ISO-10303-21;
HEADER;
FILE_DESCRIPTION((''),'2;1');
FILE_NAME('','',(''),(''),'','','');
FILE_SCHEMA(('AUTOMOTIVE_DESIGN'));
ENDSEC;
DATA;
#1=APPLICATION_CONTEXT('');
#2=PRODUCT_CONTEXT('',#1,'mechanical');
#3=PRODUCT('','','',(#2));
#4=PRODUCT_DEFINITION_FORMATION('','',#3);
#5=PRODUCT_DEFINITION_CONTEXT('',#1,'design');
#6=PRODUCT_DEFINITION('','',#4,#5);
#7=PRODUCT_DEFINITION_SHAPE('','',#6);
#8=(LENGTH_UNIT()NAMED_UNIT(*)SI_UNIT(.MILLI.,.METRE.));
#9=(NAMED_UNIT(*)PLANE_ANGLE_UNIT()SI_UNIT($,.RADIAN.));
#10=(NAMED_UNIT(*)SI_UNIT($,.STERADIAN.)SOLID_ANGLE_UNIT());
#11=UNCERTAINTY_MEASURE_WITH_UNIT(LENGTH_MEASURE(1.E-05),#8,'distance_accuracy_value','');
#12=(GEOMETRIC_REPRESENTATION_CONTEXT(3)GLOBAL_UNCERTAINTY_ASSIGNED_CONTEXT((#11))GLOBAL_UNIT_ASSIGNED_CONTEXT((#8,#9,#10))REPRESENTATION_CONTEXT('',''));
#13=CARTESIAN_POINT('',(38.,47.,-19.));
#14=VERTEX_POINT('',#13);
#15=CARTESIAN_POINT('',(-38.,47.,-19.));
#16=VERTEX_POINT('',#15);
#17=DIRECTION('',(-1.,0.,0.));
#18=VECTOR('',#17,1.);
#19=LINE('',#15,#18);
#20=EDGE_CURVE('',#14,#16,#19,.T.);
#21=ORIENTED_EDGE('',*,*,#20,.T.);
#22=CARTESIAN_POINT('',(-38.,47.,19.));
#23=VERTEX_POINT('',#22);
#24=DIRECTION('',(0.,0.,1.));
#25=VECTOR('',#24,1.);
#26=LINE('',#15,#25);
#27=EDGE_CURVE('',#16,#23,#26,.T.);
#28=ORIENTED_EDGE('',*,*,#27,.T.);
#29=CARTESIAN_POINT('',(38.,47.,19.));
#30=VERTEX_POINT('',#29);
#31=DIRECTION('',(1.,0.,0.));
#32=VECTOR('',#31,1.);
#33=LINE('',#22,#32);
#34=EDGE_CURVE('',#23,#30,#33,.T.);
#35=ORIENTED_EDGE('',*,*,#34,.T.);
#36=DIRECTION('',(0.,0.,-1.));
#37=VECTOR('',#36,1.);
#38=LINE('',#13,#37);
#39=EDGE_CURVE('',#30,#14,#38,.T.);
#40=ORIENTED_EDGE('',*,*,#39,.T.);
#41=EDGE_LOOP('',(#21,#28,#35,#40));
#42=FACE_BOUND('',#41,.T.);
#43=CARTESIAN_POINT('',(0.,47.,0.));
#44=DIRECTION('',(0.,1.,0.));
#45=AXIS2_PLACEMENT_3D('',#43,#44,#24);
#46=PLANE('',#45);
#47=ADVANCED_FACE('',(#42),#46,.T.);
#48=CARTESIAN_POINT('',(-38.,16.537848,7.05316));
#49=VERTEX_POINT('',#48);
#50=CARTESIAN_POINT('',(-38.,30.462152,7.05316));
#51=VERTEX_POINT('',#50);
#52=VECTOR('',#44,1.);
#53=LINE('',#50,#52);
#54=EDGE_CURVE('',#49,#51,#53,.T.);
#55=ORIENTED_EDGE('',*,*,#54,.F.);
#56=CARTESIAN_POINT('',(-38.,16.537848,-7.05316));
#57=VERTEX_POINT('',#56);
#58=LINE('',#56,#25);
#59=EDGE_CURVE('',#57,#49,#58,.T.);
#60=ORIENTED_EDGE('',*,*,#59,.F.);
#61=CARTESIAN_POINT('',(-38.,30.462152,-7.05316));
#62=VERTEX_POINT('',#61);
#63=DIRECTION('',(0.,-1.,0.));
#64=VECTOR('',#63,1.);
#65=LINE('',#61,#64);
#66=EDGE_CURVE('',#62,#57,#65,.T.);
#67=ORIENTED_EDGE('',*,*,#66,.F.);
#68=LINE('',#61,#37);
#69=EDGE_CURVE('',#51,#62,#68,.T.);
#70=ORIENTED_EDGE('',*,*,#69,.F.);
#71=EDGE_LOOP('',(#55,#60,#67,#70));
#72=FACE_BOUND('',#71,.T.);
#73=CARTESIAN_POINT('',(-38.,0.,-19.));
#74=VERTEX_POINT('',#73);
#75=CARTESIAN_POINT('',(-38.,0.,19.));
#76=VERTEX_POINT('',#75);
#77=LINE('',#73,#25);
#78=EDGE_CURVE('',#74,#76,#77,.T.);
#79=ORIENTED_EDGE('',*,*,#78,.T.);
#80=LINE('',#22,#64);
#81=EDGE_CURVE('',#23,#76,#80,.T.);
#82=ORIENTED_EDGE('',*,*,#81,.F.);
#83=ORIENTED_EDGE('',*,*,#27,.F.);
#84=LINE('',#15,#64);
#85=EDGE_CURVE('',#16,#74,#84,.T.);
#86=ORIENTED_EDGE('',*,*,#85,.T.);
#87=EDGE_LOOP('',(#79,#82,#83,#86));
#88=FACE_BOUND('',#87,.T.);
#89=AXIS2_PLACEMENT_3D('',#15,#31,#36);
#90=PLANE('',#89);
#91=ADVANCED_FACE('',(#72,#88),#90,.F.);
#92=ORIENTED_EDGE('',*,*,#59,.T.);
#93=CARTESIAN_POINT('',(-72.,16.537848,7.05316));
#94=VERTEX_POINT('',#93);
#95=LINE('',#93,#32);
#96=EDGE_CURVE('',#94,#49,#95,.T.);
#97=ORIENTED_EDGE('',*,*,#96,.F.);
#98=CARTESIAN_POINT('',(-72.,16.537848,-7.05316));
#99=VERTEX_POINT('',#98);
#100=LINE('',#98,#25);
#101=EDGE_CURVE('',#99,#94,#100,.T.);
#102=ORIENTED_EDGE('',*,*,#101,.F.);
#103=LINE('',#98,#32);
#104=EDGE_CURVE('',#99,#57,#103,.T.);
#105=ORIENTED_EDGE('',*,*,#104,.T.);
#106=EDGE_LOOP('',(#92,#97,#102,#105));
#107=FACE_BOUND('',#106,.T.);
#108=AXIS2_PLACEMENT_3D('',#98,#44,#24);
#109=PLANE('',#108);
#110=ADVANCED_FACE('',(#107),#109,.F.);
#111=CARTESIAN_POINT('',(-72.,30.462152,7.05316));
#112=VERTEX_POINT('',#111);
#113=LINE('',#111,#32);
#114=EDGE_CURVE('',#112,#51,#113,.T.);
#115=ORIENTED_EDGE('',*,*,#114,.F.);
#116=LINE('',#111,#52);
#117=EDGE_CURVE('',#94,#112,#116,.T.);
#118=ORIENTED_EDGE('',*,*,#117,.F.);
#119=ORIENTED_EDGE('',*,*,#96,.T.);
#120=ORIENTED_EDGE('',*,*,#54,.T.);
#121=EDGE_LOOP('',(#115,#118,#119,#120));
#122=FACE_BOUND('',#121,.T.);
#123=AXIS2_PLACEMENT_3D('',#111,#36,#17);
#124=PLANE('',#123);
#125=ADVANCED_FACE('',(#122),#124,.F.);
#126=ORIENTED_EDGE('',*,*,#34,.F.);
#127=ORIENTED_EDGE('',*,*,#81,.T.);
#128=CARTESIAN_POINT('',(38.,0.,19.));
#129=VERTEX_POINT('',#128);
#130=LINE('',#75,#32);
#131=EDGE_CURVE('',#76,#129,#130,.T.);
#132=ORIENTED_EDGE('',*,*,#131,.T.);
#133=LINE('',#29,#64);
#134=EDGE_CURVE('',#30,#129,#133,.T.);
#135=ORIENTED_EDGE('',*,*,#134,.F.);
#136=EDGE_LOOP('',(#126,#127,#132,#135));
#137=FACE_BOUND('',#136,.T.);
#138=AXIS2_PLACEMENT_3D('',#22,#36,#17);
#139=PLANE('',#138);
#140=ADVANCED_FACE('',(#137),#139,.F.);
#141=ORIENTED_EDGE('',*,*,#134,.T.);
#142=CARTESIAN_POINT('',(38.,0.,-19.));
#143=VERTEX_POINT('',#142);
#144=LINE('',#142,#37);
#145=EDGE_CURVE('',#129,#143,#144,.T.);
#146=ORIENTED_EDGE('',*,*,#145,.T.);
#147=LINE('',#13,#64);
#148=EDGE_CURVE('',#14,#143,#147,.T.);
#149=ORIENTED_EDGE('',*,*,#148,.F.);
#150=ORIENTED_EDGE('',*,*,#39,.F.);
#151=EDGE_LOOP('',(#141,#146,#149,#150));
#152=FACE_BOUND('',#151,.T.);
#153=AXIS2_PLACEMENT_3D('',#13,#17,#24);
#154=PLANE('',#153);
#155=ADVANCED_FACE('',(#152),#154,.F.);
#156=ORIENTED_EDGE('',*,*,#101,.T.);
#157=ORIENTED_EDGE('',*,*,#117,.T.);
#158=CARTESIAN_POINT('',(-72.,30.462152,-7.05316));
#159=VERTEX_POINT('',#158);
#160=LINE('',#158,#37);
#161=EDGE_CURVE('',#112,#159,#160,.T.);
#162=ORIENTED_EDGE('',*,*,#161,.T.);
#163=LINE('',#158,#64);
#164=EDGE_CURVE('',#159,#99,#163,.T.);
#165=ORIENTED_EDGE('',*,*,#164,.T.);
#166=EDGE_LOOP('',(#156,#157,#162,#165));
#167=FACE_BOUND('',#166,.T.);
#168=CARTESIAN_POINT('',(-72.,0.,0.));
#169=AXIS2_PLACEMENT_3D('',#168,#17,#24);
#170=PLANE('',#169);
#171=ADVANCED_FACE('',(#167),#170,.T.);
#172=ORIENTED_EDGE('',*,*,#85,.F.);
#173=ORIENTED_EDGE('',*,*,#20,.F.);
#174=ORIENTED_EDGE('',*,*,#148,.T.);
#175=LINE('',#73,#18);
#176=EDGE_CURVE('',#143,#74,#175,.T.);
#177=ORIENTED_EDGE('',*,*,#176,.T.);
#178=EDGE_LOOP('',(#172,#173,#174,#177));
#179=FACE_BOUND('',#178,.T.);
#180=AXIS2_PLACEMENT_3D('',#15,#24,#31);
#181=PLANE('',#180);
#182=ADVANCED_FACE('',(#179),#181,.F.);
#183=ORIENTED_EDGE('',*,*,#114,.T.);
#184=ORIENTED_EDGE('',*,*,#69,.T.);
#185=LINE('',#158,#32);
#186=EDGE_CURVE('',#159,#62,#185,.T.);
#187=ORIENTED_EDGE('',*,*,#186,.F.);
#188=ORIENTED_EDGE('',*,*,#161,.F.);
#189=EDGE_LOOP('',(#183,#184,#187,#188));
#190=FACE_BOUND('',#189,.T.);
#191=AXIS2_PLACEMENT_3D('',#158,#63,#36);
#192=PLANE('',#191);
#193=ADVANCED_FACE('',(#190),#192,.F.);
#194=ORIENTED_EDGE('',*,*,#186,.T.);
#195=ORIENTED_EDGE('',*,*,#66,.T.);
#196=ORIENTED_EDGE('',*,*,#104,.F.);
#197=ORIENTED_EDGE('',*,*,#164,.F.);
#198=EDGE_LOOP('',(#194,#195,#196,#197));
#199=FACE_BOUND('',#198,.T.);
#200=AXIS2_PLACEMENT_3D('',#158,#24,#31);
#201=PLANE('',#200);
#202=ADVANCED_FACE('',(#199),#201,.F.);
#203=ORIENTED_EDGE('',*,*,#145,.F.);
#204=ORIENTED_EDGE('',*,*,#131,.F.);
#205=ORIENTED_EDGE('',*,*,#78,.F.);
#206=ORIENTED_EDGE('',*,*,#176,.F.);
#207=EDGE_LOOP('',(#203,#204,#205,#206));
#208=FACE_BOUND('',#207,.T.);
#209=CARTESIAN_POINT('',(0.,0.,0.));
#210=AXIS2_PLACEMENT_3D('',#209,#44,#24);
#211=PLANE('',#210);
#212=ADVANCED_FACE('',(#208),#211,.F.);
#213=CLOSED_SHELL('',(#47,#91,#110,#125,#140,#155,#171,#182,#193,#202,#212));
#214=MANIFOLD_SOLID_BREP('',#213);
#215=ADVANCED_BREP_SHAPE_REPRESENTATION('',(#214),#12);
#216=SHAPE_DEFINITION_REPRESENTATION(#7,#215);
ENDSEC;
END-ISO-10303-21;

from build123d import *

# Parameters (mm, degrees)
SKETCH1_W           = 76
SKETCH1_H           = 38
BOSS_EXTRUDE1_DEPTH = 47
SKETCH2_W           = 14.106320236
SKETCH2_H           = 13.9243032
BOSS_EXTRUDE2_DEPTH = 34


with BuildPart() as part:
    # Sketch1 → Boss-Extrude1 (new body)
    with BuildSketch(Plane(origin=(0, 0, 0), x_dir=(1, 0, 0), z_dir=(0, 1, 0))):
        Rectangle(SKETCH1_W, SKETCH1_H)
    extrude(amount=BOSS_EXTRUDE1_DEPTH)

    # Sketch2 → Boss-Extrude2 (add)
    with BuildSketch(Plane.ZY.offset(38)):
        with Locations((0, 23.5)):
            Rectangle(SKETCH2_W, SKETCH2_H)
    extrude(amount=BOSS_EXTRUDE2_DEPTH)


solid = part.part
